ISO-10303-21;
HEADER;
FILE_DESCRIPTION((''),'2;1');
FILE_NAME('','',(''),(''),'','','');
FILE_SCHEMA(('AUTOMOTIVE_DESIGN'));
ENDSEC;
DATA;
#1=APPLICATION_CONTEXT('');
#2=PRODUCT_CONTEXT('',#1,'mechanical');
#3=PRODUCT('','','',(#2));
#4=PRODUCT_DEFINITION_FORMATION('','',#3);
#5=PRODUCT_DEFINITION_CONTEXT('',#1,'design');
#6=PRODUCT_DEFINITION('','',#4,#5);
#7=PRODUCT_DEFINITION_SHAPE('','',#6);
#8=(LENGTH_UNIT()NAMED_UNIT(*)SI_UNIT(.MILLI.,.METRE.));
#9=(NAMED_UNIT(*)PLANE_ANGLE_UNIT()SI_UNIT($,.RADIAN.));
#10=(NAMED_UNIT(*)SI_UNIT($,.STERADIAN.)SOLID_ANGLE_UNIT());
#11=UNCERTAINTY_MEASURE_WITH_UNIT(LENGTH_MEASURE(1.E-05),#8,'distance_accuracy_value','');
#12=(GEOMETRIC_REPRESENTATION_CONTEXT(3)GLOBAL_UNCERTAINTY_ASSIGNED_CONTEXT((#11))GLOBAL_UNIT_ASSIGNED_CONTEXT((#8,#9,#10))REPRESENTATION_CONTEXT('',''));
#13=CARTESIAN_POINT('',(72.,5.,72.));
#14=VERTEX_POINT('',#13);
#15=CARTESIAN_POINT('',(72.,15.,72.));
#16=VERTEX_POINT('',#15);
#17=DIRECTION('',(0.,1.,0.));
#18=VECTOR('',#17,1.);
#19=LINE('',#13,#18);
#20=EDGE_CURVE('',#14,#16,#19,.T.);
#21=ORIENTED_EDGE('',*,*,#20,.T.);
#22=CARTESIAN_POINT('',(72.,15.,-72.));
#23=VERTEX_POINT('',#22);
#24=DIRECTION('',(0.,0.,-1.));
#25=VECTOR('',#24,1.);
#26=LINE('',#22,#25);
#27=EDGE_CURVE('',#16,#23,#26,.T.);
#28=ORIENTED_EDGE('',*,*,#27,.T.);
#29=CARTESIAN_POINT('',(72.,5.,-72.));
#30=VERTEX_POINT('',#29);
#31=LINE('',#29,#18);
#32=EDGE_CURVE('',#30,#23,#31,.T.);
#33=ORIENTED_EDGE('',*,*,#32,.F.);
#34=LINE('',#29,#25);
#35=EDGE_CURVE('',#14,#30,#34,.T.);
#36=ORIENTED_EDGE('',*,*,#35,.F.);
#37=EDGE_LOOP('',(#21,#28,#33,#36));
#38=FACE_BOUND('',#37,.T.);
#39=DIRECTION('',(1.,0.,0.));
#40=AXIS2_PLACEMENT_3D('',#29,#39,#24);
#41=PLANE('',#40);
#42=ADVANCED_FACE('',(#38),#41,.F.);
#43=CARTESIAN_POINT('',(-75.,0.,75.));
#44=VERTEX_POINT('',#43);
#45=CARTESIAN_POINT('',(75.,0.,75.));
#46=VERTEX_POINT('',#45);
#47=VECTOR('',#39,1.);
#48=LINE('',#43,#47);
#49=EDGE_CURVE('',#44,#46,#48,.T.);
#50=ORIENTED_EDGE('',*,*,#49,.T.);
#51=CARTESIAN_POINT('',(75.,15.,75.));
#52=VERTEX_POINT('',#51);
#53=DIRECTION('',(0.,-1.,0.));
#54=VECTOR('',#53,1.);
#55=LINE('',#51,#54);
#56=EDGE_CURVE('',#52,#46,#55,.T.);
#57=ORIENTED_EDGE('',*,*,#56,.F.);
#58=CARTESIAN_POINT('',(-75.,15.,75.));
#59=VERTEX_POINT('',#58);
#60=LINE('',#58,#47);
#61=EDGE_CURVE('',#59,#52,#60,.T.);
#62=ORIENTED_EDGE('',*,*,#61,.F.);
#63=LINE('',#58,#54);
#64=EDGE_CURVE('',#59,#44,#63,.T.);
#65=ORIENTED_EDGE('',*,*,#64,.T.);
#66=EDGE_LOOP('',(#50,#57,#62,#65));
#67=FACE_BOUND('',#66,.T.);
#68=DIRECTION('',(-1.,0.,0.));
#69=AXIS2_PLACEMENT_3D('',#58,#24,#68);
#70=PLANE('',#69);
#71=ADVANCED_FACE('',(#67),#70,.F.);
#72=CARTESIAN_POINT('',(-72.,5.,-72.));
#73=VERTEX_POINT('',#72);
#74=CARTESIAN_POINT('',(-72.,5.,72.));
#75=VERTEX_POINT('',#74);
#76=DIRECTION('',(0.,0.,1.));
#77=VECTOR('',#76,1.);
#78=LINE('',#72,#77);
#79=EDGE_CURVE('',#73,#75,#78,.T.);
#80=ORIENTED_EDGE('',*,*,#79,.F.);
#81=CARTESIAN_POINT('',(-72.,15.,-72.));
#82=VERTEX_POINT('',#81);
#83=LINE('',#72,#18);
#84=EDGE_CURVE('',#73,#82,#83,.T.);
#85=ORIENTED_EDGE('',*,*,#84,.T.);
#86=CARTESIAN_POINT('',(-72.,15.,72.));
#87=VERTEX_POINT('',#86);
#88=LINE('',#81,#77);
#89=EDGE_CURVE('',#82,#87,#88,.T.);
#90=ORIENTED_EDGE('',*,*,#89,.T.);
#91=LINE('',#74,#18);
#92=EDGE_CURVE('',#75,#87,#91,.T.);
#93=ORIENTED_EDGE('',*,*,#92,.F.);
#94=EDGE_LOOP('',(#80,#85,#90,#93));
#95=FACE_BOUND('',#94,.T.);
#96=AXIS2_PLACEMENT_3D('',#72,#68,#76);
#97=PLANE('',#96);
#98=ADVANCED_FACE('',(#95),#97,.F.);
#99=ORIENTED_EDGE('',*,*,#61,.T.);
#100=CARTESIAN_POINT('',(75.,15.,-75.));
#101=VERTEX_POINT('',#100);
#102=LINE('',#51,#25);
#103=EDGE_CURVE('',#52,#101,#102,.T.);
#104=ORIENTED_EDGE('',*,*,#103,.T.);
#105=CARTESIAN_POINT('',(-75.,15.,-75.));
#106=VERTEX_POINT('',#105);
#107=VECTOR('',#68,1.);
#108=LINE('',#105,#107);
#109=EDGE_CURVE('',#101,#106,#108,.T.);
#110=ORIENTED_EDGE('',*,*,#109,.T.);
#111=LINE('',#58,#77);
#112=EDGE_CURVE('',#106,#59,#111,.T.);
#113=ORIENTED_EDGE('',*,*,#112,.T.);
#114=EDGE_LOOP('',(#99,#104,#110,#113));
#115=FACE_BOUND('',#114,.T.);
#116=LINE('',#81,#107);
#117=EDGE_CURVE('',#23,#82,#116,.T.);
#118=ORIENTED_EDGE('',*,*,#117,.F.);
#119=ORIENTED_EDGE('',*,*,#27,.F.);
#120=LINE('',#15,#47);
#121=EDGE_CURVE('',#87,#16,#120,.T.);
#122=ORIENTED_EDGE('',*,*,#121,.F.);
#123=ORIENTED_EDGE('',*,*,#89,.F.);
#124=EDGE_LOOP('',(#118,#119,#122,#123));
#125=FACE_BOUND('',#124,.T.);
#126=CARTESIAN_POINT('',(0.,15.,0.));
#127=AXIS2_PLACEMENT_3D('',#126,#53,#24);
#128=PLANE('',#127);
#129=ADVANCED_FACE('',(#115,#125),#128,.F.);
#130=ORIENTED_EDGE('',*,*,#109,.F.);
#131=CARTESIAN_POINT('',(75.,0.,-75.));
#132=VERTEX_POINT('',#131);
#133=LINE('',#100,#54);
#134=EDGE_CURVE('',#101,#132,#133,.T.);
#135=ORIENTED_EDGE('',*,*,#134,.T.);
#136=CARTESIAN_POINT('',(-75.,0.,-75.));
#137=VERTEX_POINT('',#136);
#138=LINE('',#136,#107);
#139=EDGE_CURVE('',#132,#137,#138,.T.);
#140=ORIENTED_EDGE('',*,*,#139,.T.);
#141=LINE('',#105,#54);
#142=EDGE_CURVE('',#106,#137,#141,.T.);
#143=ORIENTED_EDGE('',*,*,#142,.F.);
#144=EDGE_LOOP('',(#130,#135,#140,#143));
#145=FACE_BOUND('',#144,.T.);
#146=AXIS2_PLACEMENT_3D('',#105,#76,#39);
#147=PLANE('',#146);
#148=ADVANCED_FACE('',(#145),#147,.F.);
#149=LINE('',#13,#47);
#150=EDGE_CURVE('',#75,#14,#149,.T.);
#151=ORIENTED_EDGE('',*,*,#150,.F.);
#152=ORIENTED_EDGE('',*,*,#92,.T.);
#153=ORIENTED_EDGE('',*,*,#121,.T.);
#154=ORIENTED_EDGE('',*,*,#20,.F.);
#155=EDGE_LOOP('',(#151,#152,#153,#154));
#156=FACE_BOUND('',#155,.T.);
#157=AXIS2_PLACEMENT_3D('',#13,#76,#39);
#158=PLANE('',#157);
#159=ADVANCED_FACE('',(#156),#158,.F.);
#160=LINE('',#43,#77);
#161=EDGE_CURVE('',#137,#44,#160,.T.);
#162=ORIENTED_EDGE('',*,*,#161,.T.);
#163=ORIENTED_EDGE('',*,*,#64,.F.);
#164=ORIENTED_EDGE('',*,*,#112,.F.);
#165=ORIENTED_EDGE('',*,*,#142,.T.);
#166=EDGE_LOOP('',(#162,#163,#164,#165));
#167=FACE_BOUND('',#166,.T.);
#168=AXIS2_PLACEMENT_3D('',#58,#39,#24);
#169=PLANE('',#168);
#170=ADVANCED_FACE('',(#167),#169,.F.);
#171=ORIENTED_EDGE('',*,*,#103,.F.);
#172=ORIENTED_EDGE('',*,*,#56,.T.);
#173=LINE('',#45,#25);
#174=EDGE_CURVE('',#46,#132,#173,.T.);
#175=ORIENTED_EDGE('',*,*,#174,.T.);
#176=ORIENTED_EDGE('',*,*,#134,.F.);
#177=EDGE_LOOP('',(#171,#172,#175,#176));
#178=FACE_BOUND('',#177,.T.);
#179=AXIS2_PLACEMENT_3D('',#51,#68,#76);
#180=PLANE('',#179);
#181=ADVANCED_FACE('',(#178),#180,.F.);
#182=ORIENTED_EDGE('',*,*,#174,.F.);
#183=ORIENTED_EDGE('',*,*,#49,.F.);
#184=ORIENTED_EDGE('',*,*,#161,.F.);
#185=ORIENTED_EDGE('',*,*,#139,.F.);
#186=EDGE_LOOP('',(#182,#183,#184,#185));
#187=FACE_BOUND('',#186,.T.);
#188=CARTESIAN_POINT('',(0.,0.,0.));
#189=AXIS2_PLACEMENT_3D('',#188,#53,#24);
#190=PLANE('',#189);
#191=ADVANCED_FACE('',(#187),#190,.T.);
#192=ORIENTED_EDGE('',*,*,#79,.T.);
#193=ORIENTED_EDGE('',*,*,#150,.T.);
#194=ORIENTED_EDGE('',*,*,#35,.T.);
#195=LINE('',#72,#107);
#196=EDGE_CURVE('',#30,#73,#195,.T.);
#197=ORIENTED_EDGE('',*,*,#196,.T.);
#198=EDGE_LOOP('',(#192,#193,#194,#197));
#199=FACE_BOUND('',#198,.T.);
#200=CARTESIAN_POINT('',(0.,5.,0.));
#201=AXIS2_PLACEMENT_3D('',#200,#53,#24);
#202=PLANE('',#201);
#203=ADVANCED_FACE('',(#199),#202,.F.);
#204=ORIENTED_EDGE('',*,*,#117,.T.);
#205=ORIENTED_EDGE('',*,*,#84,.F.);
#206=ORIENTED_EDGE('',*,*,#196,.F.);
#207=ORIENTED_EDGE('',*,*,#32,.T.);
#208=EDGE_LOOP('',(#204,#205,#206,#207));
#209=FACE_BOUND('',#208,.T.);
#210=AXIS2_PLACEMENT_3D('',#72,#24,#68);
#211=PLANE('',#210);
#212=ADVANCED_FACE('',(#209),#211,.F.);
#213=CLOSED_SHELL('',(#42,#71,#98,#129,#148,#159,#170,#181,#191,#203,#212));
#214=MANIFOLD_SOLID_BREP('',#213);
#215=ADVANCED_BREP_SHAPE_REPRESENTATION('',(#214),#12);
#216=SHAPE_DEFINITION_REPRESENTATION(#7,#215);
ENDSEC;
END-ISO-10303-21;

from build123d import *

# Parameters (mm, degrees)
SKETCH1_W           = 150
SKETCH1_H           = 150
BOSS_EXTRUDE1_DEPTH = 15
SKETCH3_W           = 144
SKETCH3_H           = 144
CUT_EXTRUDE1_DEPTH  = 10


with BuildPart() as part:
    # Sketch1 → Boss-Extrude1 (new body)
    with BuildSketch(Plane(origin=(0, 0, 0), x_dir=(1, 0, 0), z_dir=(0, 1, 0))):
        Rectangle(SKETCH1_W, SKETCH1_H)
    extrude(amount=BOSS_EXTRUDE1_DEPTH)

    # Sketch3 → Cut-Extrude1 (cut)
    with BuildSketch(Plane(origin=(0, 15, 0), x_dir=(1, 0, 0), z_dir=(0, 1, 0))):
        Rectangle(SKETCH3_W, SKETCH3_H)
    extrude(amount=-CUT_EXTRUDE1_DEPTH, mode=Mode.SUBTRACT)


solid = part.part
